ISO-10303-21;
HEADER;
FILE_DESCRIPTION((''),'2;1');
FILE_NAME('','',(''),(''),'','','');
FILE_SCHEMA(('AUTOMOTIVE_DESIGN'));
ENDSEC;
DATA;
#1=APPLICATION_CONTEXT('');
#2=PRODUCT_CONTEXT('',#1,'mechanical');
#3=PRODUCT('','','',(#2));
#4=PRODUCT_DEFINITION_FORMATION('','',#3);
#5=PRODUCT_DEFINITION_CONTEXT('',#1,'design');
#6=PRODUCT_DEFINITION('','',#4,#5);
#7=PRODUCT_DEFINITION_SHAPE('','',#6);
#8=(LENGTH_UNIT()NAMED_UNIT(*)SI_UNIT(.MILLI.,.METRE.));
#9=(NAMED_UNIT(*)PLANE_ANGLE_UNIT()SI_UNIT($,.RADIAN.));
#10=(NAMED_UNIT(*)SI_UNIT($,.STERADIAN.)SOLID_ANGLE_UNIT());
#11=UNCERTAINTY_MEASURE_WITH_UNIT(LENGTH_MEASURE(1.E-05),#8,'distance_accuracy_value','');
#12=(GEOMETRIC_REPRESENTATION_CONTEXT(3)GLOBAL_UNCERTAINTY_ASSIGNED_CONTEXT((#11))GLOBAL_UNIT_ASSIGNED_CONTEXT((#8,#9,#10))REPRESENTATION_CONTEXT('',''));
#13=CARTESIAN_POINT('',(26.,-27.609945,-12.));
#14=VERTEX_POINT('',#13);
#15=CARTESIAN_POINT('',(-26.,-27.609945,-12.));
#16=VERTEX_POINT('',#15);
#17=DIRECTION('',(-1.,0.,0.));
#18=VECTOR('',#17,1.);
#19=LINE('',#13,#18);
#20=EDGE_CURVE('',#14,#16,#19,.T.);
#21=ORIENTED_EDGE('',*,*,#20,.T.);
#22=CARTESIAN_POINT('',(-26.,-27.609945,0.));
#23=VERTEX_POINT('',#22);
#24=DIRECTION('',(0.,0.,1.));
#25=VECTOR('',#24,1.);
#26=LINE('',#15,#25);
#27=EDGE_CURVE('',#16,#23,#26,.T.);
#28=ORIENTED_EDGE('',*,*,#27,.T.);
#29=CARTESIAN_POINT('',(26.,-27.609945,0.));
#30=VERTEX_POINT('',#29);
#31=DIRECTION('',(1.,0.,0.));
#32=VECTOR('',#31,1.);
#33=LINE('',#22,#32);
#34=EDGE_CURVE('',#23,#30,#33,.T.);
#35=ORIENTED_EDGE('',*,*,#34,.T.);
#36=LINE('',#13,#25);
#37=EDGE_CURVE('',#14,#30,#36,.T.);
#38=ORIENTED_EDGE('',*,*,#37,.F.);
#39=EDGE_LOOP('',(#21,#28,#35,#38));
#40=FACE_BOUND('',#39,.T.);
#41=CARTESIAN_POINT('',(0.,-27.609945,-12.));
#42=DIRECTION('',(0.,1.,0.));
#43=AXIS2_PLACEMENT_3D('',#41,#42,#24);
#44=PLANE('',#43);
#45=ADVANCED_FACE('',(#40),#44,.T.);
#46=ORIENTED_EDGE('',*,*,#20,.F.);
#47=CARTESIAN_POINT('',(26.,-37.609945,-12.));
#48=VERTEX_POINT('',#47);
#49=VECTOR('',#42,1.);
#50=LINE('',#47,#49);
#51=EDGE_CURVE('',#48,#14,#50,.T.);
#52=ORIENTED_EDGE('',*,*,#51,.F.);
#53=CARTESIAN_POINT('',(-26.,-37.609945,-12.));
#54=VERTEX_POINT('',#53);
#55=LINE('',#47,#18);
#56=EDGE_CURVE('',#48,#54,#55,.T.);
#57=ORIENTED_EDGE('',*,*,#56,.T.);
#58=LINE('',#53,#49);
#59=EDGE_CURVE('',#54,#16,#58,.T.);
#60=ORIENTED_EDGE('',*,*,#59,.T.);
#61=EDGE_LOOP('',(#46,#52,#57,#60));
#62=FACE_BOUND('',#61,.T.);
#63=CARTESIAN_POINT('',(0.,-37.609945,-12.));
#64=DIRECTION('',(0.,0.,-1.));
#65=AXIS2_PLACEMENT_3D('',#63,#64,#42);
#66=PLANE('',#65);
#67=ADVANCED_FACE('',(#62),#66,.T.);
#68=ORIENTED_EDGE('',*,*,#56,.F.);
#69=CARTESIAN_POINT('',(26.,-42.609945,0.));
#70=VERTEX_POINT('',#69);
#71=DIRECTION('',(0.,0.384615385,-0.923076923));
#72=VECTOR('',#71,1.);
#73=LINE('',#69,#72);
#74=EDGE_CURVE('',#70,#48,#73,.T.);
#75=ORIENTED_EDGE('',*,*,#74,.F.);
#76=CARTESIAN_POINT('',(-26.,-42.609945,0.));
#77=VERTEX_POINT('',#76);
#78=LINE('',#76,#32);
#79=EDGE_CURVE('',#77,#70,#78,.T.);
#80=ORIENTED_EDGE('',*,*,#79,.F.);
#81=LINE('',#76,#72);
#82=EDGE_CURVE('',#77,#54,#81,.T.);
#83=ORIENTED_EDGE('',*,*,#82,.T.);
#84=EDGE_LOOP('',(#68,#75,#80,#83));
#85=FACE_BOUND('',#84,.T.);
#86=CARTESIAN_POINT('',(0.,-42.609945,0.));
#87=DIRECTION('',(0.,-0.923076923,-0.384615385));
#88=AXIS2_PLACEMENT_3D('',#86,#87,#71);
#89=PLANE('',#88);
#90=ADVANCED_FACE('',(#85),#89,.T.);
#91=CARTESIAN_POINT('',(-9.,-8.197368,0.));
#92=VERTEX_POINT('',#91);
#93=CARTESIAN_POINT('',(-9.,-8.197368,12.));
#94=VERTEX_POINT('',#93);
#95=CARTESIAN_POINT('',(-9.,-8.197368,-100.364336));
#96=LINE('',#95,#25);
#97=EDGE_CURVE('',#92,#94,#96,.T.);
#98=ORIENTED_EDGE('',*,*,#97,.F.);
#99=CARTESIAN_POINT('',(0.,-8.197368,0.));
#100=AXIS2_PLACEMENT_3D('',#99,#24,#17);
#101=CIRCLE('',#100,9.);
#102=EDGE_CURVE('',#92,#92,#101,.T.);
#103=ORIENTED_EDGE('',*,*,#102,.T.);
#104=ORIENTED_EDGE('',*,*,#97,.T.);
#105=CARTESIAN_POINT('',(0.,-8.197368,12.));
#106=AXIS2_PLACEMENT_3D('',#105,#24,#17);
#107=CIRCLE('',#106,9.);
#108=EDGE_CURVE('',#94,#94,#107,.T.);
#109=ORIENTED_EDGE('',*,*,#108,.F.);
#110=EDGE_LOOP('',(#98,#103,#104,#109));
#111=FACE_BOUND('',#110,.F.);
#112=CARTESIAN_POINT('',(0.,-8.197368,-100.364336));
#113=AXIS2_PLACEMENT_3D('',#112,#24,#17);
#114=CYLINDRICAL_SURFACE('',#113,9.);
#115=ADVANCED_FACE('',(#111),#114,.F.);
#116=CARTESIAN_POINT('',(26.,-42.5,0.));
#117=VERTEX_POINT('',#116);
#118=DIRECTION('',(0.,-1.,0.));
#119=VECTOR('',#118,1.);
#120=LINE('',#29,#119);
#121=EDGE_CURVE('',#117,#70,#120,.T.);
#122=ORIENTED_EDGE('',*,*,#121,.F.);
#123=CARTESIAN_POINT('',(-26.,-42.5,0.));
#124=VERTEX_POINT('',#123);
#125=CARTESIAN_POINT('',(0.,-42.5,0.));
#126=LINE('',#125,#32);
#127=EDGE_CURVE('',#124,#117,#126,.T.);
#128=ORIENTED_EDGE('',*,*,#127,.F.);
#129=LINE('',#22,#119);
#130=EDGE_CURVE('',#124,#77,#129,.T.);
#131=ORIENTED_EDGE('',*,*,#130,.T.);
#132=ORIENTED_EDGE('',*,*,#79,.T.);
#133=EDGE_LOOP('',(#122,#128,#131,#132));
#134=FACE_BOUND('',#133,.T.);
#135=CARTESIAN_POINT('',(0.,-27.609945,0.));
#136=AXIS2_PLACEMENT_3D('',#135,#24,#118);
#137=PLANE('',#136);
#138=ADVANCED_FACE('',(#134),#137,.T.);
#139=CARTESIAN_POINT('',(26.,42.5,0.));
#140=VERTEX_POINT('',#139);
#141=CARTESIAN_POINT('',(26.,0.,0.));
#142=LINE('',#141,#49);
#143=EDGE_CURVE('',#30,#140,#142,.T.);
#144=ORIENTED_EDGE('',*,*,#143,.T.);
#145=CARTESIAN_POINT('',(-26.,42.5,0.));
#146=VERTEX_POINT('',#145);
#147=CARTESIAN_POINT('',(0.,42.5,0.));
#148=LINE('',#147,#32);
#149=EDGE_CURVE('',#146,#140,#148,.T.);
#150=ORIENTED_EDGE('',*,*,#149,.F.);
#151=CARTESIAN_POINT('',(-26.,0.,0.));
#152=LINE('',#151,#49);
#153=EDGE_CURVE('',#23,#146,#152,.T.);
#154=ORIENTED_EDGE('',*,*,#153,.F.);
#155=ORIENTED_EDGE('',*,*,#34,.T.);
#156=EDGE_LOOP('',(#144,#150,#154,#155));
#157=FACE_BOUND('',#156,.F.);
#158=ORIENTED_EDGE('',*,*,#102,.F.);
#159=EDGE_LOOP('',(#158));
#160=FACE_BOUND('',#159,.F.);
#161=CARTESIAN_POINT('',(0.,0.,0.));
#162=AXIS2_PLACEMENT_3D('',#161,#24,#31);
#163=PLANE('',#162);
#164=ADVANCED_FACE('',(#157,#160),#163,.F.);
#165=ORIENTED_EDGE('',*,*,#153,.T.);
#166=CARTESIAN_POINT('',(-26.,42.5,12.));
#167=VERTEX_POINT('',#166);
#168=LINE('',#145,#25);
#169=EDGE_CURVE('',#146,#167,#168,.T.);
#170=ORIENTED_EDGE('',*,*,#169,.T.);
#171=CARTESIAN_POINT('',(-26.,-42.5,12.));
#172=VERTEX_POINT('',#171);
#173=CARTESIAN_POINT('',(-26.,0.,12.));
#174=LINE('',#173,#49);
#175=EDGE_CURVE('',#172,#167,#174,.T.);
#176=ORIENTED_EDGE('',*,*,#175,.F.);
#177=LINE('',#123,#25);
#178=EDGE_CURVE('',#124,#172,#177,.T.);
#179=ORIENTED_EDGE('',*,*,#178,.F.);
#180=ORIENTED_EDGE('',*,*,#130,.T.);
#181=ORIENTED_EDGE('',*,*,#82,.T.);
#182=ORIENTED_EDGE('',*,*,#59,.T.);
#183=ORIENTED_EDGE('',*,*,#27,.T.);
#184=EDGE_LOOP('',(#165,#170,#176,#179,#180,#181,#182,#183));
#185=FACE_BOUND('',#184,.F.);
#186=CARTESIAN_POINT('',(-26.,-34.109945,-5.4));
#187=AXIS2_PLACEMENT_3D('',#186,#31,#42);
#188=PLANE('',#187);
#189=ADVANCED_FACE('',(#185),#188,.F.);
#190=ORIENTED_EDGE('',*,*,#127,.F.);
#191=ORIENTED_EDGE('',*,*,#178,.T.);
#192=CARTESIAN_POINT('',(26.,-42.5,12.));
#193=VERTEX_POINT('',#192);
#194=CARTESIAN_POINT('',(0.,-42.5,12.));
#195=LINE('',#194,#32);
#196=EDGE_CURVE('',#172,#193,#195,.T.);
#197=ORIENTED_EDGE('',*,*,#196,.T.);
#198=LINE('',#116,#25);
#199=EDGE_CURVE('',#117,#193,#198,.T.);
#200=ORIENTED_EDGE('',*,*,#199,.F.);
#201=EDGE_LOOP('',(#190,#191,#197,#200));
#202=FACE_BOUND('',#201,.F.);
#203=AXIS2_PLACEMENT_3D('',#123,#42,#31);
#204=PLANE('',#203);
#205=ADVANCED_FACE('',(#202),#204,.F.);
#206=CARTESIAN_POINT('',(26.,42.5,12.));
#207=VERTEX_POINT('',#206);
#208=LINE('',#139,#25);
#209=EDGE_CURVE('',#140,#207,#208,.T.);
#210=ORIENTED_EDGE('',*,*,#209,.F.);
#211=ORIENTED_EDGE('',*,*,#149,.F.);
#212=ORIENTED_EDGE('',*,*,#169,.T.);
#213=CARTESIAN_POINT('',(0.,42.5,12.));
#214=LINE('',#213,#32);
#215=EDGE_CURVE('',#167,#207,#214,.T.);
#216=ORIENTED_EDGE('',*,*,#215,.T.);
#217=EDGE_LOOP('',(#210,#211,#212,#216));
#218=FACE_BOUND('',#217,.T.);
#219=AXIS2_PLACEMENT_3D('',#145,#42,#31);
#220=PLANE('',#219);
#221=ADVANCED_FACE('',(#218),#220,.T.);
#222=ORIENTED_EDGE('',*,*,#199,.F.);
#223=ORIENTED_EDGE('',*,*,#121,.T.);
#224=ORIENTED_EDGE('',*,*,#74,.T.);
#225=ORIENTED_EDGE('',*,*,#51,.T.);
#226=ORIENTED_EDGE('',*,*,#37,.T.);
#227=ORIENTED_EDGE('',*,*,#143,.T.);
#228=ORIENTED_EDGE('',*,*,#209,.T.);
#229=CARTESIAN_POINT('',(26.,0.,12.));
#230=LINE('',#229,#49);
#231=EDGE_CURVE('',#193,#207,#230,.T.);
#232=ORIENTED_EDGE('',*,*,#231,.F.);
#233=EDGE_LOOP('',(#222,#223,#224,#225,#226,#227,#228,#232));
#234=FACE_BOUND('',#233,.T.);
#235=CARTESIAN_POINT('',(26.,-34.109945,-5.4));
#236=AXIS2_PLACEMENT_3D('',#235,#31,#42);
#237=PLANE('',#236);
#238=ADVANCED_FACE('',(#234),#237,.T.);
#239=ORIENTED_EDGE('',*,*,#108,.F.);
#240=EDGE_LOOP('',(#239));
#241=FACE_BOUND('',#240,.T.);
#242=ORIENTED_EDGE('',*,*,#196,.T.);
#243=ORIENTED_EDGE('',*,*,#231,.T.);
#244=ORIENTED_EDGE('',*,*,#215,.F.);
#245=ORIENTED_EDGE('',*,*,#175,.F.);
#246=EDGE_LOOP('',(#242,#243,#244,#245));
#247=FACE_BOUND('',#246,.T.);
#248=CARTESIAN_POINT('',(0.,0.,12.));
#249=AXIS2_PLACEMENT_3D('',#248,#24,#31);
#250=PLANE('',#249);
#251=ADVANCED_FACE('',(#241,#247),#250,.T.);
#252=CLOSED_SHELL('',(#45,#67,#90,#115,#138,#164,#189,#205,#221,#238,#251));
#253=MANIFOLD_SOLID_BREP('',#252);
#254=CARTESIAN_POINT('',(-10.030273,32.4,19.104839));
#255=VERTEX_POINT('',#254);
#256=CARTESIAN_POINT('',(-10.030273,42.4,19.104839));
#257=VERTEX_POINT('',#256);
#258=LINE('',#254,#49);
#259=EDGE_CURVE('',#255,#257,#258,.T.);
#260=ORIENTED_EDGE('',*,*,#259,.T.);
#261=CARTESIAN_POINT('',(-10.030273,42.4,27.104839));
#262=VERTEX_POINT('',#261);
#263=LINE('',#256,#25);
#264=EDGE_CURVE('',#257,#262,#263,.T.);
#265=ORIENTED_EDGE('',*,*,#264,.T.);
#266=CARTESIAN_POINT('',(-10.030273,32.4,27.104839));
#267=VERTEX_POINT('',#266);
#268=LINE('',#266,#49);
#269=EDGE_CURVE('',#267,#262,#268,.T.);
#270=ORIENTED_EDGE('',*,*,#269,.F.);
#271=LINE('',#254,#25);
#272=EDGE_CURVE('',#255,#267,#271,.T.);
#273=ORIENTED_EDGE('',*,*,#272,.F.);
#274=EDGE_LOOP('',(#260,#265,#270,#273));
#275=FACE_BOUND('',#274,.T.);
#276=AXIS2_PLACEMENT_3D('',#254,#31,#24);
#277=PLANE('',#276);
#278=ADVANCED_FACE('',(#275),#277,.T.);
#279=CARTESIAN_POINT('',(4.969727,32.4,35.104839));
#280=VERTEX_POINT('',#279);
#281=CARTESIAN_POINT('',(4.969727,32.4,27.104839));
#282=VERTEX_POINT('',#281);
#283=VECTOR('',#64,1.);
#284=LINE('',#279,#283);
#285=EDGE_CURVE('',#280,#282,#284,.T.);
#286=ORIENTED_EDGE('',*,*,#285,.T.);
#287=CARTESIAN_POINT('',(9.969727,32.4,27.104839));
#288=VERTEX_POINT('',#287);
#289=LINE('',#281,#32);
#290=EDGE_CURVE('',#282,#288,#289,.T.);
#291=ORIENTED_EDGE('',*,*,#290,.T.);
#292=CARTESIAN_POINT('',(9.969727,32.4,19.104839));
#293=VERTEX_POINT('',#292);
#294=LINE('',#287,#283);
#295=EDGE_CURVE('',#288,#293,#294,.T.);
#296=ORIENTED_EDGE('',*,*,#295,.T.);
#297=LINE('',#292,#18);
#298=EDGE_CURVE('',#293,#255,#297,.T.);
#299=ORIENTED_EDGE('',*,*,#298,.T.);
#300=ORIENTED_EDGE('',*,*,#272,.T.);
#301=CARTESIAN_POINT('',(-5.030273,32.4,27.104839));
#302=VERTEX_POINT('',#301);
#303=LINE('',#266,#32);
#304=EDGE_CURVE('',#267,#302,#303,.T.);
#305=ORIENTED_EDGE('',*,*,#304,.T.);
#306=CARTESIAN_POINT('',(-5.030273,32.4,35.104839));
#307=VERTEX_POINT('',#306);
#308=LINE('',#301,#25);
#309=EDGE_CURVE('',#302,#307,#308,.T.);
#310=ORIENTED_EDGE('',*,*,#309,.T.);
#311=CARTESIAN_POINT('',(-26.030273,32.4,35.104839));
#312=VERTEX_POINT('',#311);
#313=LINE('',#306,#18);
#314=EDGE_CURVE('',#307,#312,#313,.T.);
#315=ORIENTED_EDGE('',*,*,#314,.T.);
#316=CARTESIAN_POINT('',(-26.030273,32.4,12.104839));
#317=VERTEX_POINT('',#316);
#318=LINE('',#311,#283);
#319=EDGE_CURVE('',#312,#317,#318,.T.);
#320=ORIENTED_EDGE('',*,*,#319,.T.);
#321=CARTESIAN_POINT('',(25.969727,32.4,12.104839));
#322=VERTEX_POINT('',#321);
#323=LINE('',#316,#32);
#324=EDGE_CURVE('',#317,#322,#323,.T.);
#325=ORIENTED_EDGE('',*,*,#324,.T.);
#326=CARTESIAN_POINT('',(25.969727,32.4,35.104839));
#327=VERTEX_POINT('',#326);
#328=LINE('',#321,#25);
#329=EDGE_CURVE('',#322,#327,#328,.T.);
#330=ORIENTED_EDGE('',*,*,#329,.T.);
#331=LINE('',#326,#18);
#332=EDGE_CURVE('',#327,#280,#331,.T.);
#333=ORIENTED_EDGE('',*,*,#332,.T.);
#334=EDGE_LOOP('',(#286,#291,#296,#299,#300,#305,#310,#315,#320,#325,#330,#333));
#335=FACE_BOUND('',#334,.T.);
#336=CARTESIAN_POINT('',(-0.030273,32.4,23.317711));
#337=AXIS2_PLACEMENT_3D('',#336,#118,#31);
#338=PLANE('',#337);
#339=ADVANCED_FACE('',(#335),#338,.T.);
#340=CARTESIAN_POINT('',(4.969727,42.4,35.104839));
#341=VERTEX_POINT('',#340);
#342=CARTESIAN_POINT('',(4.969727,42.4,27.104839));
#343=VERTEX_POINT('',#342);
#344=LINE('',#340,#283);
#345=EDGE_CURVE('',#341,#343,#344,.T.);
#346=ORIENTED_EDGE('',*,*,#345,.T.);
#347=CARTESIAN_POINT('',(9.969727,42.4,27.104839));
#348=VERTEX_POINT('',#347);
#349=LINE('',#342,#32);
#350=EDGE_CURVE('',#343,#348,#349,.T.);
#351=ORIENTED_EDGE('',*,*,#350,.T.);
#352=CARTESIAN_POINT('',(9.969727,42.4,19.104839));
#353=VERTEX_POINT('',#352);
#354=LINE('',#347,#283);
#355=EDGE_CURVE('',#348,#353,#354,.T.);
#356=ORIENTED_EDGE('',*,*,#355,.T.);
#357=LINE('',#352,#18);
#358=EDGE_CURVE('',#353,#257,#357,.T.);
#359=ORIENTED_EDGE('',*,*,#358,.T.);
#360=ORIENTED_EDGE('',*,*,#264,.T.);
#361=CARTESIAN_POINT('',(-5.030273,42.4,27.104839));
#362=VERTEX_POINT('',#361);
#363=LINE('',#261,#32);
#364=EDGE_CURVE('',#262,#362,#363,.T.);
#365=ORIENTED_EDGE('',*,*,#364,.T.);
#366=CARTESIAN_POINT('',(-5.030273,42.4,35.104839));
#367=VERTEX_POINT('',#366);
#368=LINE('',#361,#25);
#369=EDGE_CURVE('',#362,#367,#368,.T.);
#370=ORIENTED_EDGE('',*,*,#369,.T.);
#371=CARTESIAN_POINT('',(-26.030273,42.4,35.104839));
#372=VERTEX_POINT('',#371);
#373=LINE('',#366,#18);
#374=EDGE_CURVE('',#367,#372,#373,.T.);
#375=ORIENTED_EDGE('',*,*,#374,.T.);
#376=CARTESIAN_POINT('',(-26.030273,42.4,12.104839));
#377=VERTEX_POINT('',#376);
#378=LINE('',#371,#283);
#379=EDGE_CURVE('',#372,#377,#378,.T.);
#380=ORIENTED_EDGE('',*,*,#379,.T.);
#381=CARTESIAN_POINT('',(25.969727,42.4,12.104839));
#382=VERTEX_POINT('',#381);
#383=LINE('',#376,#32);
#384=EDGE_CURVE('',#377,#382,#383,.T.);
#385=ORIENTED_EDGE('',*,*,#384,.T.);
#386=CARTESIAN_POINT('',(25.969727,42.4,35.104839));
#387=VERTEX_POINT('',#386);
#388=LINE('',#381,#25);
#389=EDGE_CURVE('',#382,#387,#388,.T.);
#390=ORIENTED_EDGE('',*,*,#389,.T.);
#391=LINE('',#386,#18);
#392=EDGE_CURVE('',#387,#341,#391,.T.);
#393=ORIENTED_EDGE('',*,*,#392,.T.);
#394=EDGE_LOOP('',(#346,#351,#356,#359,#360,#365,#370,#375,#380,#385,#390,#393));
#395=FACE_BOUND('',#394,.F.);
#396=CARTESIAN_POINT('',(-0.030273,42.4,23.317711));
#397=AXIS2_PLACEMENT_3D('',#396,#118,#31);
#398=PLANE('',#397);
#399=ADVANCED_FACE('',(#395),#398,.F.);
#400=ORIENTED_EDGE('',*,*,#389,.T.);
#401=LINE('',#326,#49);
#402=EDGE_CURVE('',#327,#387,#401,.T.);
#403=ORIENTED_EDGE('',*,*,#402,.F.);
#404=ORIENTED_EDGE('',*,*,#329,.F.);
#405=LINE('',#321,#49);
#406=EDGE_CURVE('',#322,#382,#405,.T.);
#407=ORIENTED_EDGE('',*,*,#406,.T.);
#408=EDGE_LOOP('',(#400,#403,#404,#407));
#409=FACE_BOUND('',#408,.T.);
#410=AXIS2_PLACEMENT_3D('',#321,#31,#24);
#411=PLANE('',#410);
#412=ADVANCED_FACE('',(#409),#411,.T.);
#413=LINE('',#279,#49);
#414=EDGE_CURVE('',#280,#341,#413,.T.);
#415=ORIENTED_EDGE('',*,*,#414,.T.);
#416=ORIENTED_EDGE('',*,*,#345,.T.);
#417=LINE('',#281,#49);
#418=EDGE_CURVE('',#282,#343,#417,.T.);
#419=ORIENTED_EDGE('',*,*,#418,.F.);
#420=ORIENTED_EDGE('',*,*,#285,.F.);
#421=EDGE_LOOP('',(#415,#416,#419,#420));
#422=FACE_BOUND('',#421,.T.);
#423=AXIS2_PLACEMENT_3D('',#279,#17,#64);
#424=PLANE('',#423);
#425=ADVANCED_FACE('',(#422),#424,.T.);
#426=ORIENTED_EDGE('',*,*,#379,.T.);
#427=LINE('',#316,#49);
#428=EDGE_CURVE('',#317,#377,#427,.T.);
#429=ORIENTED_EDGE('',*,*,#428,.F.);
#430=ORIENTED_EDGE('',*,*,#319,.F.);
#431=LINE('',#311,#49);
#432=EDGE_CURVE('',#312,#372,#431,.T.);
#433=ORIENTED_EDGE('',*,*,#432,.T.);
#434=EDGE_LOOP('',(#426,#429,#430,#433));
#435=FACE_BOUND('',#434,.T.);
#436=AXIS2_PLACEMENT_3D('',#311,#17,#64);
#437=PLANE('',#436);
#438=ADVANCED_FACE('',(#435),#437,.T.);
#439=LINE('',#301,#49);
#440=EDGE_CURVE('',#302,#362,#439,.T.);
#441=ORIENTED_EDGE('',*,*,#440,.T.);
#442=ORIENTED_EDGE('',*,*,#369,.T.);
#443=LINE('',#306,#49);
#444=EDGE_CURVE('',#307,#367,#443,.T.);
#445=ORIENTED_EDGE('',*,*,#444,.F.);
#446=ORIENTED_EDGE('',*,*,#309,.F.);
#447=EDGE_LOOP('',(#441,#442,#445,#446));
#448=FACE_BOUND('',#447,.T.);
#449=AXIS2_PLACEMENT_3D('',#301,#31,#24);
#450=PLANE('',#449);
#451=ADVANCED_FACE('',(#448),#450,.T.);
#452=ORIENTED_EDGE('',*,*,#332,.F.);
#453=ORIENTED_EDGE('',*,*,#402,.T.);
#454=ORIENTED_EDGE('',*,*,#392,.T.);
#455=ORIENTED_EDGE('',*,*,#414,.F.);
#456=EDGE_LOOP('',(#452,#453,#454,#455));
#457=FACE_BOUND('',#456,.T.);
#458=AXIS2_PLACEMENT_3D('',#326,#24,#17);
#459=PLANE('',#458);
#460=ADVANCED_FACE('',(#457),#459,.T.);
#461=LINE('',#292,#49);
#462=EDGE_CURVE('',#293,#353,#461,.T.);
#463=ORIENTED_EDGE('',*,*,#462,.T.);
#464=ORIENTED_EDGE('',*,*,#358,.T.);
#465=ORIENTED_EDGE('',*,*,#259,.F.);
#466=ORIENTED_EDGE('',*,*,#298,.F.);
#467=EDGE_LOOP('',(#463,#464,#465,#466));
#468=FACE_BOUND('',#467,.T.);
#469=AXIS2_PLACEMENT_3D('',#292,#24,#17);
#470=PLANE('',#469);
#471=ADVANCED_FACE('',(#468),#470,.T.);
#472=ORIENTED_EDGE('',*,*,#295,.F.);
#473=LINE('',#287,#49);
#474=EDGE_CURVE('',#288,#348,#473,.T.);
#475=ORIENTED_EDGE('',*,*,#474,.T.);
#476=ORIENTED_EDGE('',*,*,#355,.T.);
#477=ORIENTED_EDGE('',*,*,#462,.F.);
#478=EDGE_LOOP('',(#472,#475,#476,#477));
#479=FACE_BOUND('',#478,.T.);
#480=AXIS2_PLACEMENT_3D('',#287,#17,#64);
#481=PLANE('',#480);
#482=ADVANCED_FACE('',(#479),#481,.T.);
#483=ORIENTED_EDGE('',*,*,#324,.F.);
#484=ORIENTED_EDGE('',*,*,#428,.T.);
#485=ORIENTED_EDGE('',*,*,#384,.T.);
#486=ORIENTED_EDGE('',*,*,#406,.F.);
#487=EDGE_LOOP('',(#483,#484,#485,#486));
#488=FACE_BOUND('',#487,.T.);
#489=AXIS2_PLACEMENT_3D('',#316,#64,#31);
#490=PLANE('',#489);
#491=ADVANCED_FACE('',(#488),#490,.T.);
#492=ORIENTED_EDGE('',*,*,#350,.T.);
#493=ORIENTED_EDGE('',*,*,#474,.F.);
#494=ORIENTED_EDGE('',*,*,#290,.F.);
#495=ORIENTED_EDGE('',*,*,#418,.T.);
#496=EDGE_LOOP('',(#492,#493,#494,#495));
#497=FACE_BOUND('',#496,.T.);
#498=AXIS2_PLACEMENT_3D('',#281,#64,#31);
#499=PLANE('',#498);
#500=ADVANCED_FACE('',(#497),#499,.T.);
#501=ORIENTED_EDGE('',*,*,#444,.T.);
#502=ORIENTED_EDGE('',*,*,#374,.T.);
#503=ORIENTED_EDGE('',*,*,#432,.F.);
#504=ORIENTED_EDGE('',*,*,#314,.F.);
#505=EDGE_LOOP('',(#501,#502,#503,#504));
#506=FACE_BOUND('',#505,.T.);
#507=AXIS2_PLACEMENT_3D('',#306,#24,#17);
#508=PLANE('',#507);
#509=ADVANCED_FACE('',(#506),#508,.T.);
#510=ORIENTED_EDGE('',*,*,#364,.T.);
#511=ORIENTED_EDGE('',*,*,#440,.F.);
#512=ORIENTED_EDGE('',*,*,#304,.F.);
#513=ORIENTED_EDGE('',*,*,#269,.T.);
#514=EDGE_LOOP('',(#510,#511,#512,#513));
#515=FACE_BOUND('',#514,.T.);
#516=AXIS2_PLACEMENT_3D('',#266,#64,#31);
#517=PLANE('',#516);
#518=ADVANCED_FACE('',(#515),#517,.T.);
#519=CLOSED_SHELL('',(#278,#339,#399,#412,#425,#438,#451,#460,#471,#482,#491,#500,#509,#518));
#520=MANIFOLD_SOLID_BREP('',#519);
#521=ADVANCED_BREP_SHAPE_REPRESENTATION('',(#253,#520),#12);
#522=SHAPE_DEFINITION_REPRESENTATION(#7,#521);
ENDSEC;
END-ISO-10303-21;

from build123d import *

# Parameters (mm, degrees)
F0_W     = 52
F0_H     = 85
F1_DEPTH = 12
F3_D     = 18
F5_DEPTH = 26
F7_START = -32.4
F7_DEPTH = 10


with BuildPart() as f1:
    # F0 (on Top) → F1 (new body)
    with BuildSketch(Plane.XY):
        Rectangle(F0_W, F0_H)
    extrude(amount=F1_DEPTH)

    # F3 (through all)
    with Locations(Plane(origin=(0, 0, 0), x_dir=(1, 0, 0), z_dir=(0, 0, -1))):
        with Locations((0, 8.197368371)):
            Hole(F3_D / 2)

    # F4 (on Right) → F5 (join, symmetric)
    with BuildSketch(Plane.YZ):
        Polygon((-27.6099449657, -12), (-27.6099449657, 0), (-42.6099449657, 0), (-37.6099449657, -12), align=None)
    extrude(amount=F5_DEPTH, both=True)


with BuildPart() as f7:
    # F6 (on Front) → F7 (new body)
    with BuildSketch(Plane.XZ.offset(F7_START)):
        Polygon((-26.0302734937, 35.1048394236), (-26.0302734937, 12.1048394236), (25.9697265063, 12.1048394236), (25.9697265063, 35.1048394236), (4.9697265063, 35.1048394236), (4.9697265063, 27.1048394236), (9.9697265063, 27.1048394236), (9.9697265063, 19.1048394236), (-10.0302734937, 19.1048394236), (-10.0302734937, 27.1048394236), (-5.0302734937, 27.1048394236), (-5.0302734937, 35.1048394236), align=None)
    extrude(amount=-F7_DEPTH)


solid = Compound([f1.part, f7.part])
